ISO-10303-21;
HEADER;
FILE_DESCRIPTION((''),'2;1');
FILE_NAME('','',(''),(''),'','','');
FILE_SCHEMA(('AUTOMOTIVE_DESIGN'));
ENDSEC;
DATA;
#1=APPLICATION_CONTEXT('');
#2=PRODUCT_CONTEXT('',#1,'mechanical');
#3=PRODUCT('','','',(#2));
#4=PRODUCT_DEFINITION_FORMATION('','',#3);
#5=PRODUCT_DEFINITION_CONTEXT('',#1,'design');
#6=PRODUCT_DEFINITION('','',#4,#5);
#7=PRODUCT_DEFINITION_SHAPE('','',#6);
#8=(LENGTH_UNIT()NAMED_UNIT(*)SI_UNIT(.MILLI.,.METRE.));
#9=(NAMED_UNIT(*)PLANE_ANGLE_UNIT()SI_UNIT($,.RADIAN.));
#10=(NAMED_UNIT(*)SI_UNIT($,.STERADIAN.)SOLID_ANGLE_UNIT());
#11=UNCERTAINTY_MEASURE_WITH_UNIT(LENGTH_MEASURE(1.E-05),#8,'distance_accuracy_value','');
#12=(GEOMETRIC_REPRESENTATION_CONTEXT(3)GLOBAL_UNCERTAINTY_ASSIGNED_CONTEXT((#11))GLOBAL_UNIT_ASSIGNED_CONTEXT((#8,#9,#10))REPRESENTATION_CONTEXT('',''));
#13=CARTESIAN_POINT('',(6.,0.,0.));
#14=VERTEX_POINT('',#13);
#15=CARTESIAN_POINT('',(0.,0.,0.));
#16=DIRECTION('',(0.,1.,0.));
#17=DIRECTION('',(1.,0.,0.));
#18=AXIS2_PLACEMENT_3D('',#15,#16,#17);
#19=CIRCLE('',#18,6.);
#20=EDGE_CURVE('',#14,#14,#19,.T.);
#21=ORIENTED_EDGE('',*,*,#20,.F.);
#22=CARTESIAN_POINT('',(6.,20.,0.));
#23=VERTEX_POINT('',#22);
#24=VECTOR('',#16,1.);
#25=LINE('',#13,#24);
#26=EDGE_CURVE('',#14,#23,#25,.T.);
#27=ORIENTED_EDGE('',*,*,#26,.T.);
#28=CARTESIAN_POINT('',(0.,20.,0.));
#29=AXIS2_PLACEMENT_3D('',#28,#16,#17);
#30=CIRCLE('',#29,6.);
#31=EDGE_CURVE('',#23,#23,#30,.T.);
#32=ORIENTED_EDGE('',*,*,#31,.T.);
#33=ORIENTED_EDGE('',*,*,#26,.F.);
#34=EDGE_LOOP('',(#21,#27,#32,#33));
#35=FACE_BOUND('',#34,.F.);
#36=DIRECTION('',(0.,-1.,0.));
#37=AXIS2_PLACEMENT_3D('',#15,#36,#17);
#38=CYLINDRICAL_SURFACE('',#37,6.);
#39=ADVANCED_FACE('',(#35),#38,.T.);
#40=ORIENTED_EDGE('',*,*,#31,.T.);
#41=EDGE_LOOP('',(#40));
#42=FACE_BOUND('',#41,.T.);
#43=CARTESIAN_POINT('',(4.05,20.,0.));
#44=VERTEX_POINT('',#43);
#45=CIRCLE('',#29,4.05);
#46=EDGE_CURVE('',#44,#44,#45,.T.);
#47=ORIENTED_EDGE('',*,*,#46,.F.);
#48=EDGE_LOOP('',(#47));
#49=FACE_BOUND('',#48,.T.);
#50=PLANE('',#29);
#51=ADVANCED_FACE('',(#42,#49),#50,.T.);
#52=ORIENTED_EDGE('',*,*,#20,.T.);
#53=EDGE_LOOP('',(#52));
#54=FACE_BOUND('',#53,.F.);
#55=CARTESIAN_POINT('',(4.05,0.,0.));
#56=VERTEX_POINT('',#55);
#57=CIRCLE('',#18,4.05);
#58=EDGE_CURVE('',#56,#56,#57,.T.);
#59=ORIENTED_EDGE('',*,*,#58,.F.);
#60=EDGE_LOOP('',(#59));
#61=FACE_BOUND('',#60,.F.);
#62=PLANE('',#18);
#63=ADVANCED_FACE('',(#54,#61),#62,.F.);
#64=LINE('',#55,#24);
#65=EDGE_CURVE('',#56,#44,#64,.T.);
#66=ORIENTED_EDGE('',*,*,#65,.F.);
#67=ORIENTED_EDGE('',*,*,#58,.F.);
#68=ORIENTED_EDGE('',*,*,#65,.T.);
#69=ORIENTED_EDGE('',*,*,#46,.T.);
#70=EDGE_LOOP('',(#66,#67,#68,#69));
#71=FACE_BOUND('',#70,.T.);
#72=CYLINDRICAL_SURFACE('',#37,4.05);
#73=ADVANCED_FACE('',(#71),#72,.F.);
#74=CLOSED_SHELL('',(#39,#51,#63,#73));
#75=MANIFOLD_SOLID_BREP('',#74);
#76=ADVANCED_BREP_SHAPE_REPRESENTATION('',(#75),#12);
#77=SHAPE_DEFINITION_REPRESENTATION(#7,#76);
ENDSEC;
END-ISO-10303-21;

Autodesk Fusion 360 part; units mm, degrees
sketch "Sketch1" plane through (0, 0, 0) normal (0, 1, 0) x (1, 0, 0)
  circle A0 centre (0, 0) radius 4.05
  circle A1 centre (0, 0) radius 6
  dimension "d1" = 8.1
  dimension "d2" = 12
extrude "Extrude1" add sketch "Sketch1" along normal blind 20
